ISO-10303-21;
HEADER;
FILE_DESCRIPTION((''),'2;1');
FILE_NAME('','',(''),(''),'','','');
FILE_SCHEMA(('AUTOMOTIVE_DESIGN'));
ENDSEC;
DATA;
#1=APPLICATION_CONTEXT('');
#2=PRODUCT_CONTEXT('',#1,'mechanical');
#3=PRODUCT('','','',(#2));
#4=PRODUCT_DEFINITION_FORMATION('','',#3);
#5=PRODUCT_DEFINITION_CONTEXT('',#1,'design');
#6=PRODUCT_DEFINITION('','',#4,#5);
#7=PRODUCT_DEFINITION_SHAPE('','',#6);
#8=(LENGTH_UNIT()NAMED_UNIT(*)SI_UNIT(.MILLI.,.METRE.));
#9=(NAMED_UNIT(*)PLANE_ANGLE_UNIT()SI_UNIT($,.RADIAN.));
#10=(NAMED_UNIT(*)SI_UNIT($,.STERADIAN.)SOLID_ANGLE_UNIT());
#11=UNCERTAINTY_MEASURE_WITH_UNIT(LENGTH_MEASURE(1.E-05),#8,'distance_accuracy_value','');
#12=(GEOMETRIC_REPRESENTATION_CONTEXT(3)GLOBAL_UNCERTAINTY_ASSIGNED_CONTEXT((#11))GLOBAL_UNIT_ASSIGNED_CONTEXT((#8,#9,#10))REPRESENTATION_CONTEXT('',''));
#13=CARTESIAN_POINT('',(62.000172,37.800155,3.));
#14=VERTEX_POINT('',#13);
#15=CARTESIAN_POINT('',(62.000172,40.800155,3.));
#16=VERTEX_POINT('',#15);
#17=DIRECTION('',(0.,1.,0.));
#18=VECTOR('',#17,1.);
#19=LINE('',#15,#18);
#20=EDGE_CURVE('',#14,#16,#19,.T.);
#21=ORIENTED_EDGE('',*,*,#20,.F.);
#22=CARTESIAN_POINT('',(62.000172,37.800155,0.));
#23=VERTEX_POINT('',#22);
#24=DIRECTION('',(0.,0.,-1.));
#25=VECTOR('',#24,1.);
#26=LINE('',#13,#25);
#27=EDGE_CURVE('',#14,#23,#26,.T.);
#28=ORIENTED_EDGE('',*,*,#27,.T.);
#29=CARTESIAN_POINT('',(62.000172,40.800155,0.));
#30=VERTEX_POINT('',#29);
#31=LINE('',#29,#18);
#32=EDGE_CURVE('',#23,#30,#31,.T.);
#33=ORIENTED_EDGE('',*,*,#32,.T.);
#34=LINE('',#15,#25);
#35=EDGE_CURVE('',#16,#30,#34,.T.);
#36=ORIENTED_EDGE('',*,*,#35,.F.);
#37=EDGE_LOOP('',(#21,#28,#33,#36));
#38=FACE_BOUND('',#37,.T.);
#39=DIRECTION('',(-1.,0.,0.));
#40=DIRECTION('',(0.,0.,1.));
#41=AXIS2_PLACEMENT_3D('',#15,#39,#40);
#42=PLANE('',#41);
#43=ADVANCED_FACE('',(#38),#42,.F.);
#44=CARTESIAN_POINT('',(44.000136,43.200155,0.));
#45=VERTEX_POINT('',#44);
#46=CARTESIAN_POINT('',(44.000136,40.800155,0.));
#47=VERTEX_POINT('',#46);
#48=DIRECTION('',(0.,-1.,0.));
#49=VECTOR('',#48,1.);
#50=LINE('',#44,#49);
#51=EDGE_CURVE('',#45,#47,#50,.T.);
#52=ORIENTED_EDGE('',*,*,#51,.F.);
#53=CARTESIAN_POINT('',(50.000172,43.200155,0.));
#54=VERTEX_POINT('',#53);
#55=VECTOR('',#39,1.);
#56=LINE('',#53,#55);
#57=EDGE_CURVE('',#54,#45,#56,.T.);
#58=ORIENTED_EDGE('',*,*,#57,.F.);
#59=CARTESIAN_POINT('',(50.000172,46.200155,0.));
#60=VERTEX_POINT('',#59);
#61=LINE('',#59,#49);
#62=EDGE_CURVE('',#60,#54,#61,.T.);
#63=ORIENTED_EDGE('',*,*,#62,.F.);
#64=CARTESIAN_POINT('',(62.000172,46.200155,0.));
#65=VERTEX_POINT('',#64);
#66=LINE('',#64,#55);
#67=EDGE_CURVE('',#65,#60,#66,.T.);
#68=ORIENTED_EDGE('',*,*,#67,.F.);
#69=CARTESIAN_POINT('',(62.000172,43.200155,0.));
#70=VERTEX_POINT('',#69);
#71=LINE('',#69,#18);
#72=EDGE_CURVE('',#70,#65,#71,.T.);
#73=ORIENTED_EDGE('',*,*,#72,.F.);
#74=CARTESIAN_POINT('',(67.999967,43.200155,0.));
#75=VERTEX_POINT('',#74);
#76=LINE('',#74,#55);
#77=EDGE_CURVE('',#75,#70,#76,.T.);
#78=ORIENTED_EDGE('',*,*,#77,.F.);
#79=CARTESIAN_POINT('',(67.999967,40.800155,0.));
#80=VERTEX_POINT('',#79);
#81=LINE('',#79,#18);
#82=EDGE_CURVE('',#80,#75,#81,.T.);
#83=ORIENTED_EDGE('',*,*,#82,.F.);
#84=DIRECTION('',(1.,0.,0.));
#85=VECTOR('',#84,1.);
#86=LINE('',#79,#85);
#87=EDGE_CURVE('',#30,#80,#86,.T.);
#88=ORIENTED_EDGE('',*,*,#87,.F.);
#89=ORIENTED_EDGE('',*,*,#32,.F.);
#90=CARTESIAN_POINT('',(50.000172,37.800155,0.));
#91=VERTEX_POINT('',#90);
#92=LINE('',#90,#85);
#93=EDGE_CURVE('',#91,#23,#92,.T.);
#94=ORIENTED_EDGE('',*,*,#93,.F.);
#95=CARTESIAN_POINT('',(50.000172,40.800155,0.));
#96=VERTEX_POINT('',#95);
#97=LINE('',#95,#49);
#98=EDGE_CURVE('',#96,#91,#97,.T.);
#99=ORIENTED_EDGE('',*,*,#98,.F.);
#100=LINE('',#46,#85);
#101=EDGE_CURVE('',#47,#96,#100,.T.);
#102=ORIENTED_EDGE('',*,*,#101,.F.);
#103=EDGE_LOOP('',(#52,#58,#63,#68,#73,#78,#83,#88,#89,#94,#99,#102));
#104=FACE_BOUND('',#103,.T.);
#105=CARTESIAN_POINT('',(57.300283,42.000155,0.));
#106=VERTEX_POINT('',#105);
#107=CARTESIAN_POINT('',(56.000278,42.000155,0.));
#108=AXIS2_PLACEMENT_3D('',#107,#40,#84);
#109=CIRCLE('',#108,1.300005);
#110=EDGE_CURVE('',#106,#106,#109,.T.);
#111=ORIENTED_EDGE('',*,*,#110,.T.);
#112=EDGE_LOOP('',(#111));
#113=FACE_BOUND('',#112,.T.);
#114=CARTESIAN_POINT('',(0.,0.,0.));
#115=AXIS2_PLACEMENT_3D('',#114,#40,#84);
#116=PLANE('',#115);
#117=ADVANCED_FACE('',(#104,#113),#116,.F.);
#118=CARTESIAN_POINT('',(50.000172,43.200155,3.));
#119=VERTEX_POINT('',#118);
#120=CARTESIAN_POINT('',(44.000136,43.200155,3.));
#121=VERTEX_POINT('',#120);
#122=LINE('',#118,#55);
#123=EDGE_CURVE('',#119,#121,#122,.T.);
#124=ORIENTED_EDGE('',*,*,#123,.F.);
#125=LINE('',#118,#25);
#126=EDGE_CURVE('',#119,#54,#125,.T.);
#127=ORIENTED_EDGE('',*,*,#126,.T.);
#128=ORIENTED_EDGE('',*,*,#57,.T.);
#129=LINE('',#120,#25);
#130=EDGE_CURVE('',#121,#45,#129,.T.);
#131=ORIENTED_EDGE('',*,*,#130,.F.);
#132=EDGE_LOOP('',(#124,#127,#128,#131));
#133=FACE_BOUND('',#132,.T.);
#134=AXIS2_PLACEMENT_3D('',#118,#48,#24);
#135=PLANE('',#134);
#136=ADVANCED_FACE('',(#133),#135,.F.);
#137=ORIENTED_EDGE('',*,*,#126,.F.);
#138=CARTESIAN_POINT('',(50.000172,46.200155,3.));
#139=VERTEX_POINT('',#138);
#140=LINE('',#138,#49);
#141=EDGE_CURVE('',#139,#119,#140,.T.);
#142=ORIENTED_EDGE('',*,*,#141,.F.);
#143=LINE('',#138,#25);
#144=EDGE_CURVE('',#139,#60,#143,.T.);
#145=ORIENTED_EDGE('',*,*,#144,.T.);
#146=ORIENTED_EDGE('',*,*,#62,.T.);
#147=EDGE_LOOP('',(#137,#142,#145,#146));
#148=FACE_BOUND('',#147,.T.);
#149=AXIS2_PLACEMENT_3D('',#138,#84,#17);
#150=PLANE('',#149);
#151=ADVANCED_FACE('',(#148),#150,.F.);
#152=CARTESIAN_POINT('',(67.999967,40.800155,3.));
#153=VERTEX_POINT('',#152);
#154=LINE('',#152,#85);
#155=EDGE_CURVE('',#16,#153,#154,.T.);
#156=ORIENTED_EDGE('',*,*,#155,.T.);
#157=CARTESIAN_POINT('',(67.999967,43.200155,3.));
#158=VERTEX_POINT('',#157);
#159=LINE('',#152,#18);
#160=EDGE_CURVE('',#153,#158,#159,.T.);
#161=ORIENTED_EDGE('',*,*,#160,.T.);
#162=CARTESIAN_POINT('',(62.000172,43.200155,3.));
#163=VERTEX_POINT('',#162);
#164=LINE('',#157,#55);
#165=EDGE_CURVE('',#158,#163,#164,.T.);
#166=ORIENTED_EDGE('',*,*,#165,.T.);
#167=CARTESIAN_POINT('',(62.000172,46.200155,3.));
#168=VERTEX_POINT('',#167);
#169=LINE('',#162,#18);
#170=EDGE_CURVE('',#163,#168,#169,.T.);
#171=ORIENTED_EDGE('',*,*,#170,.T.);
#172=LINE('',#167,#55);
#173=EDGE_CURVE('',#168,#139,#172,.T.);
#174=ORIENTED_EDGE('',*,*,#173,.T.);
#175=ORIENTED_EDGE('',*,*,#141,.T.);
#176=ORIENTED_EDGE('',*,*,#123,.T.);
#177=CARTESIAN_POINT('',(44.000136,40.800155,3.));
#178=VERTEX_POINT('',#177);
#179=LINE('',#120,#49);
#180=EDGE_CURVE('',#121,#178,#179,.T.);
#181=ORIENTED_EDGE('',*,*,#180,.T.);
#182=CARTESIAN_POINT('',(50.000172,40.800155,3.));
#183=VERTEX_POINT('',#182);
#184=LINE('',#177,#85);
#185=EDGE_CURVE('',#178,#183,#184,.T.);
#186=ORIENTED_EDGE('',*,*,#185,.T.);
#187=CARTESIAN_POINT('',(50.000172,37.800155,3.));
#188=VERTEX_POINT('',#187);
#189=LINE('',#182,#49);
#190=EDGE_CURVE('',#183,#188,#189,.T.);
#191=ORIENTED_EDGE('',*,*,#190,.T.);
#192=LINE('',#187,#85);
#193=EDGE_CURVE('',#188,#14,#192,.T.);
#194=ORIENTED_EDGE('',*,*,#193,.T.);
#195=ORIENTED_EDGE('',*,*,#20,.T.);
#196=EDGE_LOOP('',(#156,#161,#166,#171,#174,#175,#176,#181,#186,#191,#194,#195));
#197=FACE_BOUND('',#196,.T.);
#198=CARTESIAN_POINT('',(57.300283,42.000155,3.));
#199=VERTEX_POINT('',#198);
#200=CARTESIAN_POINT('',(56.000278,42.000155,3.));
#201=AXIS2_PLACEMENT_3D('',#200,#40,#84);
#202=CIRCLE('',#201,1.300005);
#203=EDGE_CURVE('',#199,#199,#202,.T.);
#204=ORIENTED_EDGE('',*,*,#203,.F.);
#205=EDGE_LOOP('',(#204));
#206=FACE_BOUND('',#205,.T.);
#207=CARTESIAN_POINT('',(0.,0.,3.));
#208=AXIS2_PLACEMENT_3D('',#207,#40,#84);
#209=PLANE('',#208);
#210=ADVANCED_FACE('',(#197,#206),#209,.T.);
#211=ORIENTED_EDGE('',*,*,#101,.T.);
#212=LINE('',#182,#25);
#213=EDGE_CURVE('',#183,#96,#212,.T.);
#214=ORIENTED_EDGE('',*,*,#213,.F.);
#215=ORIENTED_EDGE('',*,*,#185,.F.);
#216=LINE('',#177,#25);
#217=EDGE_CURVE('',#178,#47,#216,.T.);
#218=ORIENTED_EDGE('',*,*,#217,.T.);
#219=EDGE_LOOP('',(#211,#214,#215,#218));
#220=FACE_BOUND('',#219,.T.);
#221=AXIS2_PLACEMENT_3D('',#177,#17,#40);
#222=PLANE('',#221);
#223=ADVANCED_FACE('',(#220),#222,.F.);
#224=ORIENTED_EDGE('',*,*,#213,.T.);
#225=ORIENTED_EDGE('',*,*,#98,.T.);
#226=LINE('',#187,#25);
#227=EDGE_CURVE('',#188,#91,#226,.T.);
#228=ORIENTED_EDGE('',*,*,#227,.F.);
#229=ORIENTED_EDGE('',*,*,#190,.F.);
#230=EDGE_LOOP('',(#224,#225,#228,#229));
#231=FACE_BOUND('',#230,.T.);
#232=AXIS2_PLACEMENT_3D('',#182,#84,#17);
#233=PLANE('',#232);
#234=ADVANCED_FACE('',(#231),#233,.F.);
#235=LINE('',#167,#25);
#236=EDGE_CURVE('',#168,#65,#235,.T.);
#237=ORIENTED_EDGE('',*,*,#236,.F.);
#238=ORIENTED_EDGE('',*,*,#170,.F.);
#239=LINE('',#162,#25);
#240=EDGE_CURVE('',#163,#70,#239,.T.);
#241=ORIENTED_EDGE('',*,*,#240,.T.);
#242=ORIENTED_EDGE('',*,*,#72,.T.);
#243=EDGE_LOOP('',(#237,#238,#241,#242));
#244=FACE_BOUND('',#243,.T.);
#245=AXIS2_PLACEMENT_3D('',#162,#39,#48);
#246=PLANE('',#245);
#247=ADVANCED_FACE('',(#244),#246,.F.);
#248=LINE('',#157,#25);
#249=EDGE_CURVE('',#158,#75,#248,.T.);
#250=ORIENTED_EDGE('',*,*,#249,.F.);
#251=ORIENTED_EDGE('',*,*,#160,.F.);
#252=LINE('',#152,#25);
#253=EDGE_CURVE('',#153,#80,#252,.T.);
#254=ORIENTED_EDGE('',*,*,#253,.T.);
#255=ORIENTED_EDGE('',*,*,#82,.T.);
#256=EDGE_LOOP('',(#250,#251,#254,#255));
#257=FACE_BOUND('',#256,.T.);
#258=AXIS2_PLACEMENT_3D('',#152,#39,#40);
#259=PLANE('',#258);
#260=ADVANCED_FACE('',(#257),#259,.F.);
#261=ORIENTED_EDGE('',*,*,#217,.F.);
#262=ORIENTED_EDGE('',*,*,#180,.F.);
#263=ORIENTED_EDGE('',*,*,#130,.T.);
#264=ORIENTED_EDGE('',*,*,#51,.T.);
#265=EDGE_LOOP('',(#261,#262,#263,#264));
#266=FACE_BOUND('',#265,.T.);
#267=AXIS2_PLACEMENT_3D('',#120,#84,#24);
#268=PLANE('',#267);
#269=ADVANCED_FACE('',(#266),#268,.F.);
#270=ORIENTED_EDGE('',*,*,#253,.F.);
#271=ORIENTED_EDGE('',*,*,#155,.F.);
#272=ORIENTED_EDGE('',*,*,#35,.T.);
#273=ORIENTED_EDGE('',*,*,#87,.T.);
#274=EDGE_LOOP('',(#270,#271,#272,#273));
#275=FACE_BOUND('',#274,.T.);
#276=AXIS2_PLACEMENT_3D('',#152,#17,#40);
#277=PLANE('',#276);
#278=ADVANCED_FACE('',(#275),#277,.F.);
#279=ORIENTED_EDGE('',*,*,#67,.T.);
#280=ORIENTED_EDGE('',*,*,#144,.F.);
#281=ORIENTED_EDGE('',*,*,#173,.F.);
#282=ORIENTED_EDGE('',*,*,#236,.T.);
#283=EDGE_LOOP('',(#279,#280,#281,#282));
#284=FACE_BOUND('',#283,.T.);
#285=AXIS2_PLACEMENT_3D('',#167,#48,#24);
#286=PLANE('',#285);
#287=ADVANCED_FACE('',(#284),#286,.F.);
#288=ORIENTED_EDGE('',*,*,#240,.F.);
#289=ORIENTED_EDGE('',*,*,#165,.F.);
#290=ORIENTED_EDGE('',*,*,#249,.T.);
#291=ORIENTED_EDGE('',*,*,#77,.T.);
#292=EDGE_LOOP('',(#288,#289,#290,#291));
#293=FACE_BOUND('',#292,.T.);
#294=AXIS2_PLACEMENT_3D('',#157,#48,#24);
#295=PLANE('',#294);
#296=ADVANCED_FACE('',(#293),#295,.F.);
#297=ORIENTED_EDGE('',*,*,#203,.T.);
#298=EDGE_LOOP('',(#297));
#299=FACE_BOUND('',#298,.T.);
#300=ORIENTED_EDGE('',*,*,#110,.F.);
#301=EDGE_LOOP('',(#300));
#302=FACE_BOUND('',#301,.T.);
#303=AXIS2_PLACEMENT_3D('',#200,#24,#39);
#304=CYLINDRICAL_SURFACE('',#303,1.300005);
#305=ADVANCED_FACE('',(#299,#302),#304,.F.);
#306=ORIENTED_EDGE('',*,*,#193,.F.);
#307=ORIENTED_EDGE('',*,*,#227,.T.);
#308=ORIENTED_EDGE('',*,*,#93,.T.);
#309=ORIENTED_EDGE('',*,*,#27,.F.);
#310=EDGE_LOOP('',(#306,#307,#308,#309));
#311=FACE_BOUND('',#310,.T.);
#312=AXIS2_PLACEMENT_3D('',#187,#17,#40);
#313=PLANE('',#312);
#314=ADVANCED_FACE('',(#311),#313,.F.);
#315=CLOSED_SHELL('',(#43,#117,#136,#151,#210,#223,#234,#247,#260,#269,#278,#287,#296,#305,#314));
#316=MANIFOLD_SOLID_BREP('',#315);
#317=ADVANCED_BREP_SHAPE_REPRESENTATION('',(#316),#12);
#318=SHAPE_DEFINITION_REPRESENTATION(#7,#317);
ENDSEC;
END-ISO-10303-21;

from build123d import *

# Parameters (mm, degrees)
MODEL_R             = 1.300004807
BOSS_EXTRUDE1_DEPTH = 3


with BuildPart() as part:
    # Model → Boss-Extrude1 (new body)
    with BuildSketch(Plane.XY):
        Polygon((50.000171704, 37.800155294), (62.000171704, 37.800155294), (62.000171704, 40.800155294), (67.999966985, 40.800155294), (67.999966985, 43.200155294), (62.000171704, 43.200155294), (62.000171704, 46.200155294), (50.000171704, 46.200155294), (50.000171704, 43.200155294), (44.000136348, 43.200155294), (44.000136348, 40.800155294), (50.000171704, 40.800155294), align=None)
        with Locations((56.00027777, 42.000155294)):
            Circle(MODEL_R, mode=Mode.SUBTRACT)
    extrude(amount=BOSS_EXTRUDE1_DEPTH)


solid = part.part
